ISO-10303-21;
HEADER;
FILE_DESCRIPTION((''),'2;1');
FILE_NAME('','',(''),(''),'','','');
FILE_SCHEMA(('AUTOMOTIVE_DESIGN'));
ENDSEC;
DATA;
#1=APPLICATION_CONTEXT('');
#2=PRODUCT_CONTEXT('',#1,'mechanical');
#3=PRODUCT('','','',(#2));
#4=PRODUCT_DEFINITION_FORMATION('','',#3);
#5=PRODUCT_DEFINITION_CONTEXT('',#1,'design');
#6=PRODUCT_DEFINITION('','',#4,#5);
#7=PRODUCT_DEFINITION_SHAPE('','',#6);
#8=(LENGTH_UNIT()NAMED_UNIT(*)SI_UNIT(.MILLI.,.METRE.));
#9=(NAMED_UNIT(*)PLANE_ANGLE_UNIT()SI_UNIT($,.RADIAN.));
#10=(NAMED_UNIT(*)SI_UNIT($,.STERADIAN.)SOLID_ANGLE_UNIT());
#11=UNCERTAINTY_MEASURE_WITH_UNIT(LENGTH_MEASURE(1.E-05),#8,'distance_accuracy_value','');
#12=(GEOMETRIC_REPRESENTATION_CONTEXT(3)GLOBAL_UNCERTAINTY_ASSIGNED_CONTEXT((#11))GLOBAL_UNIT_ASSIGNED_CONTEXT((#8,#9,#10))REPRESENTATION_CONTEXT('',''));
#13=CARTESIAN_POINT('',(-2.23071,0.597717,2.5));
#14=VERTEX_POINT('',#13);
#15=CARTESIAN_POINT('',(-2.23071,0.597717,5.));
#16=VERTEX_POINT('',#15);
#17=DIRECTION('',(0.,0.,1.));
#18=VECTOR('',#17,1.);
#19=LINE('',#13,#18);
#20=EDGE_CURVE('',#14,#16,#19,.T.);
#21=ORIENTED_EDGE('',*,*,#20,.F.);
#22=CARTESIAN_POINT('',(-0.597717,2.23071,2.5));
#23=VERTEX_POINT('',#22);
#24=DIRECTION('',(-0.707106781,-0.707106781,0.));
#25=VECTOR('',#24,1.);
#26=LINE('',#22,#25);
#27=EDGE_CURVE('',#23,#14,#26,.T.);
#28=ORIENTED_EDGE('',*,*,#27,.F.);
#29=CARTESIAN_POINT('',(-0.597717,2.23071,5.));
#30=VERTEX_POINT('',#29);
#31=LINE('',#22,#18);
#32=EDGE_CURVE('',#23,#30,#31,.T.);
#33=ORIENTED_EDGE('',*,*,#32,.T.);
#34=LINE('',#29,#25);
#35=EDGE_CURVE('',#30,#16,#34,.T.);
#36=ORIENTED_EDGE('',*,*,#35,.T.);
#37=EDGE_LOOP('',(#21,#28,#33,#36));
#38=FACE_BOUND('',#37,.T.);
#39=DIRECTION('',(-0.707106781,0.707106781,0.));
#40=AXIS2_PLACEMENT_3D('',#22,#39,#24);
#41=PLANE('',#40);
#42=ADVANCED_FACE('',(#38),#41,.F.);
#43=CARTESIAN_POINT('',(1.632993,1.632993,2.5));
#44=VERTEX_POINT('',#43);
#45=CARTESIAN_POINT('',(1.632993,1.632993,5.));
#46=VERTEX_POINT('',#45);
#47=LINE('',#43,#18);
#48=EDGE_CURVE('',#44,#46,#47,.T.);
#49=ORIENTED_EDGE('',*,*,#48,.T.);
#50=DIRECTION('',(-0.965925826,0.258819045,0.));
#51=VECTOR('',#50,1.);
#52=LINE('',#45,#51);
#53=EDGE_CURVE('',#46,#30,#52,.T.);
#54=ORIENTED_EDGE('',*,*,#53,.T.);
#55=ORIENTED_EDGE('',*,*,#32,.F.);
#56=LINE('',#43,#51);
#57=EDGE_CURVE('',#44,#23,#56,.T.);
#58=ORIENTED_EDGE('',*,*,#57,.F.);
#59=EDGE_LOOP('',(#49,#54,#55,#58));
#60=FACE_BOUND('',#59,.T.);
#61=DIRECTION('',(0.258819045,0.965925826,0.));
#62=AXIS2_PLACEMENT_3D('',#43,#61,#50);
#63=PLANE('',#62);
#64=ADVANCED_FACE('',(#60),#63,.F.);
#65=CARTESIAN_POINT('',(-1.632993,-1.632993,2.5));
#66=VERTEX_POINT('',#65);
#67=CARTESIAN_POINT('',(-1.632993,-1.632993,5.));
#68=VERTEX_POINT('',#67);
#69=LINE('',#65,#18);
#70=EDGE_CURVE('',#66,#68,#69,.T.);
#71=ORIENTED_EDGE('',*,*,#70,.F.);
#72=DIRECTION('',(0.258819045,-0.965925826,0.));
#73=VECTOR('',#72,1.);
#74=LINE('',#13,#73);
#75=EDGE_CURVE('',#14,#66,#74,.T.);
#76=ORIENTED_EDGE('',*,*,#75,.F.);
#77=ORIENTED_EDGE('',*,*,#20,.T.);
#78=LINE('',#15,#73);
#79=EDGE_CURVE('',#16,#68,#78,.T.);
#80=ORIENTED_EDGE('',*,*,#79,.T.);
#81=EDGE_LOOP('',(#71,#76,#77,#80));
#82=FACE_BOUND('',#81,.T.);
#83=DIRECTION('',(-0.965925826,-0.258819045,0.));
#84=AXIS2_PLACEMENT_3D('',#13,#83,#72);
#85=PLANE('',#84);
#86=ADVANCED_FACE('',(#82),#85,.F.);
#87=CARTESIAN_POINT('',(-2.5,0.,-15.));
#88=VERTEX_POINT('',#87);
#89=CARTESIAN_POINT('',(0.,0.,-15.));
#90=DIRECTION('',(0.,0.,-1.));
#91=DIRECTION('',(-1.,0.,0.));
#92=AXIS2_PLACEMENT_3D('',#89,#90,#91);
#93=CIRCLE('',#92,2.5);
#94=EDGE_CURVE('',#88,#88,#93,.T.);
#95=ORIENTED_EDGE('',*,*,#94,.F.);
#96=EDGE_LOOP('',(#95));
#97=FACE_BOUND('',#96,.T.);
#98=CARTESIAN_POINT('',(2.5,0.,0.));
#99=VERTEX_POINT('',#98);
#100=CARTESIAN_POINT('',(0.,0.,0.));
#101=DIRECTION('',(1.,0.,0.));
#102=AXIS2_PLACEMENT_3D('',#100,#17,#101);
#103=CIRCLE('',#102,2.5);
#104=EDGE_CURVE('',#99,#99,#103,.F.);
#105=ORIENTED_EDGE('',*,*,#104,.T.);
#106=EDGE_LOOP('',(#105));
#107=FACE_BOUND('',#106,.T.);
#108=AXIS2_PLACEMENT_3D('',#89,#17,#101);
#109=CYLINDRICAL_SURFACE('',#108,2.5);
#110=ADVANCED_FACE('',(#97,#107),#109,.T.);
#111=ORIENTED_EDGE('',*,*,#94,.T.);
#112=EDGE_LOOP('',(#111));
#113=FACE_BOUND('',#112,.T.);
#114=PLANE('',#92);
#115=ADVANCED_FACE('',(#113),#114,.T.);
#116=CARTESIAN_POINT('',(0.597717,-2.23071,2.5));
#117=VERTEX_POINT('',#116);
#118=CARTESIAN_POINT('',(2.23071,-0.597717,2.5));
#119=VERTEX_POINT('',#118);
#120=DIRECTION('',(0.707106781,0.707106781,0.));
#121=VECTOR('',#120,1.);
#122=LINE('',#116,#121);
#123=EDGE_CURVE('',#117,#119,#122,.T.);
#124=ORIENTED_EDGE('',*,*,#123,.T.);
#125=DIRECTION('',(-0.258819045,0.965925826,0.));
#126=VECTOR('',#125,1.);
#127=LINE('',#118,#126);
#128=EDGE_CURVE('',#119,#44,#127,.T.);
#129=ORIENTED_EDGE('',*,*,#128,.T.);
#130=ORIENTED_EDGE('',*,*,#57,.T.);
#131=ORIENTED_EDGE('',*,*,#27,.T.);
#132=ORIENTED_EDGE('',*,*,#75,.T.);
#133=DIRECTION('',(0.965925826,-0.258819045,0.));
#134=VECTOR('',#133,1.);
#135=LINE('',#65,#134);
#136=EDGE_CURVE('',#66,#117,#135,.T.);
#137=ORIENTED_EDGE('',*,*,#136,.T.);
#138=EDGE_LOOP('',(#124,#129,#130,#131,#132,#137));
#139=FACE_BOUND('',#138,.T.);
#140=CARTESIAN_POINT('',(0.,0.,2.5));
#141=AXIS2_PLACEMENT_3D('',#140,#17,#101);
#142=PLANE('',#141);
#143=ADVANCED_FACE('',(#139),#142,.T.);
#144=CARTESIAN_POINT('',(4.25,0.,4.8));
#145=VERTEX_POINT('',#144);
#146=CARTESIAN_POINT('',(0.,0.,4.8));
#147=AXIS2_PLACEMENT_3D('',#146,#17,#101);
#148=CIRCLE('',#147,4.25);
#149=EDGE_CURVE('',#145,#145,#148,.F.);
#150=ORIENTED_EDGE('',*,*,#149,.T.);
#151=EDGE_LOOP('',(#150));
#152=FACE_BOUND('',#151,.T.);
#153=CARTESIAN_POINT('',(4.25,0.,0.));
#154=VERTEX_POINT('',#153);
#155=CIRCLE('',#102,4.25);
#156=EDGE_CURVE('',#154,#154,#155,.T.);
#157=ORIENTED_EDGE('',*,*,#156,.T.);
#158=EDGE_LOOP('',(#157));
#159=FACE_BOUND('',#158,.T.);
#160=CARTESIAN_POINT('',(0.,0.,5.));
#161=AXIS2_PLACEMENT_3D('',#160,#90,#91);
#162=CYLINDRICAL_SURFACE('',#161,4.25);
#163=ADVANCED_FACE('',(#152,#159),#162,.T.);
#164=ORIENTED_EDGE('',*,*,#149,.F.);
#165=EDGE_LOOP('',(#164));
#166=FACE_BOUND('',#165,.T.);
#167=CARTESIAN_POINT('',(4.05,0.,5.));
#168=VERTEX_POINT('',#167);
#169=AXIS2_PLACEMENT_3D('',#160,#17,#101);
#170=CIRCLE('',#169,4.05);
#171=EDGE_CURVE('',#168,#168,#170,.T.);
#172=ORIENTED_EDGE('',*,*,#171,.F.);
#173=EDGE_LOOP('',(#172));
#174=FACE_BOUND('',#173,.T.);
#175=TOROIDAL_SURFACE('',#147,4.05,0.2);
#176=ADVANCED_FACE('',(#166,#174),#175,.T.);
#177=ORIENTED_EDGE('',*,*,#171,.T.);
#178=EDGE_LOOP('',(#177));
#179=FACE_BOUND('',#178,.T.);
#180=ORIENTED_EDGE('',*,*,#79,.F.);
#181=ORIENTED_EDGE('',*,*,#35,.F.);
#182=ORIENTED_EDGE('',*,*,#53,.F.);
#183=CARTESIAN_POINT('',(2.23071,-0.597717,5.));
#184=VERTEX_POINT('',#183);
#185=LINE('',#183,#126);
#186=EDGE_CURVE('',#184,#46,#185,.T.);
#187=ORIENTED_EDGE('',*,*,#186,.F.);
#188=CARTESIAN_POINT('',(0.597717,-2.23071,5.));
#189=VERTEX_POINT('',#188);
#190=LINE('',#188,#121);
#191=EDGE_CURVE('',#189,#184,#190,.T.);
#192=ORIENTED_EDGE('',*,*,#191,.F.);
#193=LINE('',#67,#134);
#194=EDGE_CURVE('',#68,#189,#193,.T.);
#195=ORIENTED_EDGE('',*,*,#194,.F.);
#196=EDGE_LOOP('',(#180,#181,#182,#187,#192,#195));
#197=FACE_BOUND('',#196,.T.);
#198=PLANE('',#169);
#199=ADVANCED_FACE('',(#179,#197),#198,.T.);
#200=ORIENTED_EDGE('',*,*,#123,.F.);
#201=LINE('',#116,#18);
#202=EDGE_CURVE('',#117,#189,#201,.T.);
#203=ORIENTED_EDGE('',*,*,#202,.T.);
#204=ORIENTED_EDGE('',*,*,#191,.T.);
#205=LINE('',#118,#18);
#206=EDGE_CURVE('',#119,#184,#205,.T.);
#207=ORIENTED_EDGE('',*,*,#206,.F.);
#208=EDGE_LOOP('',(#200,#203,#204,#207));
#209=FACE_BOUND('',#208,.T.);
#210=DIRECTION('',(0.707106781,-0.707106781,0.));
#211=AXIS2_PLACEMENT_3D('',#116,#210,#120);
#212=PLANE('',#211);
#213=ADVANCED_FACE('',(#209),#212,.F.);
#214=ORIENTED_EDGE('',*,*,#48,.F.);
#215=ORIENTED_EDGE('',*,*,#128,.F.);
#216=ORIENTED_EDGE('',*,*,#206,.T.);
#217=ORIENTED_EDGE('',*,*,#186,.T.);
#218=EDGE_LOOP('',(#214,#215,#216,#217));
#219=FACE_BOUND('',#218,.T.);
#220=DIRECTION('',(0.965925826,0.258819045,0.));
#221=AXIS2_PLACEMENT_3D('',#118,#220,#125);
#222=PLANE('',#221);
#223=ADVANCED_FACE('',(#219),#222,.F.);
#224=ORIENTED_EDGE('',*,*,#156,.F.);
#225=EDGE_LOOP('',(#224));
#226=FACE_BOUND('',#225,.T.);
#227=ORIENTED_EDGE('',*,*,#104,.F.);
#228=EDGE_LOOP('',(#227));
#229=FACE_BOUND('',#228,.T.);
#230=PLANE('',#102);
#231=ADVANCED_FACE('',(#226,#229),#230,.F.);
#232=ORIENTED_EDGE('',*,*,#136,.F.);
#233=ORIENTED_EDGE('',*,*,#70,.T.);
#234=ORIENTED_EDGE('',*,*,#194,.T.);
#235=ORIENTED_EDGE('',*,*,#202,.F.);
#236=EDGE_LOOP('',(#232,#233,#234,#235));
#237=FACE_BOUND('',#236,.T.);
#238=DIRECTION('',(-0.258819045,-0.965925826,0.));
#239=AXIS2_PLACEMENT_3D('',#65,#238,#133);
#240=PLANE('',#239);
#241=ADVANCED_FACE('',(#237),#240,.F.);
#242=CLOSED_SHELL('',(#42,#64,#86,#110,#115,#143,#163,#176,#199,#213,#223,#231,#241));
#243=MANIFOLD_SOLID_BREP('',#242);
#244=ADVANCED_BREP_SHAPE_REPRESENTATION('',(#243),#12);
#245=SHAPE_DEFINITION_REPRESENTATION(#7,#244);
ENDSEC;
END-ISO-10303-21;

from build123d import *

# Parameters (mm, degrees)
SKETCH_1_R          = 4.25
EXTRUDE_1_DEPTH     = 5
CUT_EXTRUDE_1_DEPTH = 2.5
SKETCH_3_R          = 2.5
EXTRUDE_2_DEPTH     = 15
FILLET_1_R          = 0.2


with BuildPart() as part:
    # 草图1 → 凸台-拉伸1 (new body)
    with BuildSketch(Plane.XY):
        Circle(SKETCH_1_R)
    extrude(amount=EXTRUDE_1_DEPTH)

    # 草图2 → 切除-拉伸1 (cut)
    with BuildSketch(Plane.XY.offset(5)):
        Polygon((-1.632993162, -1.632993162), (0.597716981, -2.230710143), (2.230710143, -0.597716981), (1.632993162, 1.632993162), (-0.597716981, 2.230710143), (-2.230710143, 0.597716981), align=None)
    extrude(amount=-CUT_EXTRUDE_1_DEPTH, mode=Mode.SUBTRACT)

    # 草图3 → 凸台-拉伸2 (add)
    with BuildSketch(Plane(origin=(0, 0, 0), x_dir=(-1, 0, 0), z_dir=(0, 0, -1))):
        with Locations(Location((0, 0, 0), (0, 0, 180))):
            Circle(SKETCH_3_R)
    extrude(amount=EXTRUDE_2_DEPTH)

    # 圆角1
    fillet_1_edges = [part.edges().sort_by_distance(p)[0] for p in [
        (-4.25, 0, 5),
    ]]
    fillet(fillet_1_edges, radius=FILLET_1_R)


solid = part.part
